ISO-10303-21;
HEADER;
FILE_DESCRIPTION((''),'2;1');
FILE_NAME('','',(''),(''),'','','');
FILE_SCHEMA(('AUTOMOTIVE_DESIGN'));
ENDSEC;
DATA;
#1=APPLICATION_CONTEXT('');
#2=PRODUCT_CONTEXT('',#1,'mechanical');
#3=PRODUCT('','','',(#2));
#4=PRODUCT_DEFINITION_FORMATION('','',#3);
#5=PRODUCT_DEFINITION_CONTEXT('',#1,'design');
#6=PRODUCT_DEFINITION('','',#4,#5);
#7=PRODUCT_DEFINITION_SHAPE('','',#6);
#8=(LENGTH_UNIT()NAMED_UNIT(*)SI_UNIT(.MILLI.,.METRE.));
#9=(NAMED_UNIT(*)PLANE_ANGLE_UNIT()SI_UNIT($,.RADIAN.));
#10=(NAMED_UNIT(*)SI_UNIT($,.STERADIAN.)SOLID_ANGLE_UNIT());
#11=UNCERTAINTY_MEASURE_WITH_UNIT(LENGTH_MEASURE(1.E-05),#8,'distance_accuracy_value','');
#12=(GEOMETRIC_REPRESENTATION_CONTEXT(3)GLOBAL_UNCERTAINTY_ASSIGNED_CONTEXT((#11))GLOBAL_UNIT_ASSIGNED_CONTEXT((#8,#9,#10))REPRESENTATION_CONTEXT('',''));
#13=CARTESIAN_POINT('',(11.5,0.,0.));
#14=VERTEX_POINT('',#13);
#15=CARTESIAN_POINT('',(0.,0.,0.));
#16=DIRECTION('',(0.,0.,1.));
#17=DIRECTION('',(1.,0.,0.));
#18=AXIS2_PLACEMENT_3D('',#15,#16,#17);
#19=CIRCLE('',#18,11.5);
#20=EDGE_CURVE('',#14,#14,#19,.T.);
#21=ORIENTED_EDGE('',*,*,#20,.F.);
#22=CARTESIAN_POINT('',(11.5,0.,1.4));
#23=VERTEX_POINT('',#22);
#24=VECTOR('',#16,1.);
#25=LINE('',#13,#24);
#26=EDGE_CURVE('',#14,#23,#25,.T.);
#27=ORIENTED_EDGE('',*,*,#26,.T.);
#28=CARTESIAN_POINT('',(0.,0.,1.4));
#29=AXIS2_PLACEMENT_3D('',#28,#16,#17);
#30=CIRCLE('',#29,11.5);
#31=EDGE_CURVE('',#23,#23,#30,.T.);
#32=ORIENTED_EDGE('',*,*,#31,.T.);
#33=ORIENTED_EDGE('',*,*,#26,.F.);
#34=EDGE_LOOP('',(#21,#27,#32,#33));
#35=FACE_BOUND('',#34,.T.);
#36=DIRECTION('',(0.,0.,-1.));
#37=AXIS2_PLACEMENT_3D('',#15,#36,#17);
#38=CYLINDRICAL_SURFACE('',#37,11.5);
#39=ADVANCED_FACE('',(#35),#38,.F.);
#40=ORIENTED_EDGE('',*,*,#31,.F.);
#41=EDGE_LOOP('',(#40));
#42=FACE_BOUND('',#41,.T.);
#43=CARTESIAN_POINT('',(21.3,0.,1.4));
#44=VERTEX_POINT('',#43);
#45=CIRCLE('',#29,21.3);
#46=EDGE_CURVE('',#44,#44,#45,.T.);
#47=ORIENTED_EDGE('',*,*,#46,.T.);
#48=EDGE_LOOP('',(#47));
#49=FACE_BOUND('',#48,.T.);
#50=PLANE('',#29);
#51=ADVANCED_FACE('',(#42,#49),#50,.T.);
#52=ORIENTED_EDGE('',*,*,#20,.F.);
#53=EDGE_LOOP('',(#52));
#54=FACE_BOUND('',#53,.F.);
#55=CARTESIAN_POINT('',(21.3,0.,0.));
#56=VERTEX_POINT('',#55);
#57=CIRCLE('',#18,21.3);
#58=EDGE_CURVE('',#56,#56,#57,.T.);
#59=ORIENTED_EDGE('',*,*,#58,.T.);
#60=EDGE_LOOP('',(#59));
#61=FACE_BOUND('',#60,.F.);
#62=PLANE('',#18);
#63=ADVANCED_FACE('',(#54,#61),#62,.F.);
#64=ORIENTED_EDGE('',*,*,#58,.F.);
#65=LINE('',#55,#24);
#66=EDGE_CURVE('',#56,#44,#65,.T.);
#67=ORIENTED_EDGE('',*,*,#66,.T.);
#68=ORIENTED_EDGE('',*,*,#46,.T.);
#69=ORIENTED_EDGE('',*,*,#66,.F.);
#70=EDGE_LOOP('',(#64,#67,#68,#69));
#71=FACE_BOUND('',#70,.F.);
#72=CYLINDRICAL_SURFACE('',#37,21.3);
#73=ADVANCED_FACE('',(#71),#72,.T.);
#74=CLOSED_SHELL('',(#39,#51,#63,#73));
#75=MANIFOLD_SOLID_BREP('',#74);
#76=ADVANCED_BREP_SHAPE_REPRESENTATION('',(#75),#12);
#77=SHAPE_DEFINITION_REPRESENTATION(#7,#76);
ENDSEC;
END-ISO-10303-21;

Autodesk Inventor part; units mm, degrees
ref_plane "YZ Plane" through (0, 0, 0) normal (1, 0, 0) x (0, 1, 0)
ref_plane "XZ Plane" through (0, 0, 0) normal (0, 1, 0) x (-1, 0, 0)
ref_plane "XY Plane" through (0, 0, 0) normal (0, 0, 1) x (1, 0, 0)
sketch "スケッチ1" plane through (0, 0, 0) normal (0, 0, 1) x (1, 0, 0)
  circle A0 centre (0, 0) radius 11.5 projected
  circle A1 centre (-13.5, -1.2593) radius 1.1 construction
  circle A2 centre (13.5, -1.2593) radius 1.1 construction
  circle A3 centre (0, 0) radius 20.5 projected
  circle A4 centre (0, 0) radius 21.3
  circle A5 centre (13.5, -1.2593) radius 1.1 construction
  circle A6 centre (-13.5, -1.2593) radius 1.1 construction
  circle A7 centre (0, 0) radius 18.011 construction
  line L0 (0, 0) -> (0, 18.011) construction
  circle A8 centre (0, -17.25) radius 0.8 construction
  circle A9 centre (0, 17.25) radius 0.8 construction
  circle A10 centre (17.25, 0) radius 0.8 construction
  circle A11 centre (-17.25, 0) radius 0.8 construction
  point P0 (0, 0)
  dimension "d0" = 42.6
extrude "押し出し2" add sketch "スケッチ1" along normal blind 1.4 contours A3 | A4
properties part number "軸受けワッシャC_ダブルスラスト用(t2_ジュラコン)" material "ポリカーボネート、クリア"
